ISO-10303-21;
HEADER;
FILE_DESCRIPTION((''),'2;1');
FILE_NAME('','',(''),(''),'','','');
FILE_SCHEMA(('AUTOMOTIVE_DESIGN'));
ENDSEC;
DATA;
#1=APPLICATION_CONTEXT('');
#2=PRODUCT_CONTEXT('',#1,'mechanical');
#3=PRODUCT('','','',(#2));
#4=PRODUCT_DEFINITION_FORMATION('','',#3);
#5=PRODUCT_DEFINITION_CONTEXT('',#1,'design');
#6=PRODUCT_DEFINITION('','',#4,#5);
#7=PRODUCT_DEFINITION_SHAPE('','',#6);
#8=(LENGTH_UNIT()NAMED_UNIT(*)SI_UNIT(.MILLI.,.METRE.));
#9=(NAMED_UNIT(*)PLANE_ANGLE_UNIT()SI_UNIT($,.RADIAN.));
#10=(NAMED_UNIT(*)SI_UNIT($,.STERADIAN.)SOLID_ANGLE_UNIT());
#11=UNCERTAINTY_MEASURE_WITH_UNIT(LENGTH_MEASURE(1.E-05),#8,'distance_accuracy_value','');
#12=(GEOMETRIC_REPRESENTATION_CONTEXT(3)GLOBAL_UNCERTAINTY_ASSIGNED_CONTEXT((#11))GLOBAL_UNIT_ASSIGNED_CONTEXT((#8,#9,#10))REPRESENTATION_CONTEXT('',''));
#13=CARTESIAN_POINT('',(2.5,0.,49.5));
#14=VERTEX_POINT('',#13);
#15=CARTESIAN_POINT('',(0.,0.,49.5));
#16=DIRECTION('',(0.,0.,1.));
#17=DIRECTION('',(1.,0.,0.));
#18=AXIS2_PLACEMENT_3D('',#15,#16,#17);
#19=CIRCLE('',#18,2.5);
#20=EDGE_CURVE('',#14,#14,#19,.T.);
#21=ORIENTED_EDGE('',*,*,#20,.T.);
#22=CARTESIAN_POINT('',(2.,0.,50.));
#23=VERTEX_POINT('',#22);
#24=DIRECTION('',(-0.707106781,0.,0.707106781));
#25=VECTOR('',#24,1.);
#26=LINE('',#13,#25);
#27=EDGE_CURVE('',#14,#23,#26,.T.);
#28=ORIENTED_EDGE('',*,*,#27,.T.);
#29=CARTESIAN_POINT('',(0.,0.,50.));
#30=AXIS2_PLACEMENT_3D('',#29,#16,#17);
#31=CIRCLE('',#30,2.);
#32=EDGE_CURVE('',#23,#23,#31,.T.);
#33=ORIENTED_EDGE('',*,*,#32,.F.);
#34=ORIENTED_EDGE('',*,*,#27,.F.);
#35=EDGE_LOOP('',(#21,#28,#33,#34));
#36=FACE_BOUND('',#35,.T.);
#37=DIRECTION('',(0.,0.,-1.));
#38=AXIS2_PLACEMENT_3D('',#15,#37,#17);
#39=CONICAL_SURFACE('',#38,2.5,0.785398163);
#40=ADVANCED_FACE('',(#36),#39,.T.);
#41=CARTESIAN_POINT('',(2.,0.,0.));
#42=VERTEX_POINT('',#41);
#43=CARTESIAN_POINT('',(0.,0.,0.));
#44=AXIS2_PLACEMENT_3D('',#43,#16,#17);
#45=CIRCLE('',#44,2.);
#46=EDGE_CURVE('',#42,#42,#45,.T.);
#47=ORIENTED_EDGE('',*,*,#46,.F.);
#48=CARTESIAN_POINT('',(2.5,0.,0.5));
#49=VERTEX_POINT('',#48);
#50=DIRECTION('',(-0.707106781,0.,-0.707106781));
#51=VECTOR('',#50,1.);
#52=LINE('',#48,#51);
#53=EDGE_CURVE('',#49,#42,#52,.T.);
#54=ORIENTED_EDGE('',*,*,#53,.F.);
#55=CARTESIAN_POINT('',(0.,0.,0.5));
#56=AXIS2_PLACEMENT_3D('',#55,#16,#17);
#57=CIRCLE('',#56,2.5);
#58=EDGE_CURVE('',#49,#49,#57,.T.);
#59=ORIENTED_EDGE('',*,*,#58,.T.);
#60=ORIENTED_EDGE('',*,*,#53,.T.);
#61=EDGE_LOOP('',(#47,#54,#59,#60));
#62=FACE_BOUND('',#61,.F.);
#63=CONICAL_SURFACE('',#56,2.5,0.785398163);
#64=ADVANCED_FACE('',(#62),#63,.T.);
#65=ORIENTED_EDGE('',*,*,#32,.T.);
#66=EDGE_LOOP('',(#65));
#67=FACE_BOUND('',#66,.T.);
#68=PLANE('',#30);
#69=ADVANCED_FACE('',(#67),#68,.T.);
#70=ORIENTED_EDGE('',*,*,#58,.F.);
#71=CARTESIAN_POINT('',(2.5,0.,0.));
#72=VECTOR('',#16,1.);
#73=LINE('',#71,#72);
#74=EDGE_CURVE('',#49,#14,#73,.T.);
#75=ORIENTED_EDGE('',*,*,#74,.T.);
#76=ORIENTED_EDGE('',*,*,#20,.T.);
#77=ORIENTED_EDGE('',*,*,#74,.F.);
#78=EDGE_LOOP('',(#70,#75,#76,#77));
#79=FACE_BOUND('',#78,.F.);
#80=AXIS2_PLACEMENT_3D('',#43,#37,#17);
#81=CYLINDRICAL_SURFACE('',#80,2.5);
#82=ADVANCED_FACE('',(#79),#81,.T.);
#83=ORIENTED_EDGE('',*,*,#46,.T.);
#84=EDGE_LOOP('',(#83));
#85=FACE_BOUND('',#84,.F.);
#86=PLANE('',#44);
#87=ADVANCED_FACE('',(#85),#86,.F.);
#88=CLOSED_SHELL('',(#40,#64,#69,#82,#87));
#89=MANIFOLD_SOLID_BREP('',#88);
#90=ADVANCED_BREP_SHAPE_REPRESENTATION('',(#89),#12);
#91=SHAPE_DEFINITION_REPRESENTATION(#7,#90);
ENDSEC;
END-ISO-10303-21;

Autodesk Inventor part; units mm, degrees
ref_plane "YZ Plane" through (0, 0, 0) normal (1, 0, 0) x (0, 1, 0)
ref_plane "XZ Plane" through (0, 0, 0) normal (0, 1, 0) x (-1, 0, 0)
ref_plane "XY Plane" through (0, 0, 0) normal (0, 0, 1) x (1, 0, 0)
sketch "Sketch1" plane through (0, 0, 0) normal (0, 0, 1) x (1, 0, 0)
  circle A0 centre (0, 0) radius 2.5
  dimension "d0" = 5
extrude "Extrusion1" add sketch "Sketch1" along normal blind 50
chamfer "Chamfer1" distance 0.5 angle 45 2 edges at (-2.5, 0, 50) (-2.5, 0, 0)
properties part number "5 x 50mm Shaft"
